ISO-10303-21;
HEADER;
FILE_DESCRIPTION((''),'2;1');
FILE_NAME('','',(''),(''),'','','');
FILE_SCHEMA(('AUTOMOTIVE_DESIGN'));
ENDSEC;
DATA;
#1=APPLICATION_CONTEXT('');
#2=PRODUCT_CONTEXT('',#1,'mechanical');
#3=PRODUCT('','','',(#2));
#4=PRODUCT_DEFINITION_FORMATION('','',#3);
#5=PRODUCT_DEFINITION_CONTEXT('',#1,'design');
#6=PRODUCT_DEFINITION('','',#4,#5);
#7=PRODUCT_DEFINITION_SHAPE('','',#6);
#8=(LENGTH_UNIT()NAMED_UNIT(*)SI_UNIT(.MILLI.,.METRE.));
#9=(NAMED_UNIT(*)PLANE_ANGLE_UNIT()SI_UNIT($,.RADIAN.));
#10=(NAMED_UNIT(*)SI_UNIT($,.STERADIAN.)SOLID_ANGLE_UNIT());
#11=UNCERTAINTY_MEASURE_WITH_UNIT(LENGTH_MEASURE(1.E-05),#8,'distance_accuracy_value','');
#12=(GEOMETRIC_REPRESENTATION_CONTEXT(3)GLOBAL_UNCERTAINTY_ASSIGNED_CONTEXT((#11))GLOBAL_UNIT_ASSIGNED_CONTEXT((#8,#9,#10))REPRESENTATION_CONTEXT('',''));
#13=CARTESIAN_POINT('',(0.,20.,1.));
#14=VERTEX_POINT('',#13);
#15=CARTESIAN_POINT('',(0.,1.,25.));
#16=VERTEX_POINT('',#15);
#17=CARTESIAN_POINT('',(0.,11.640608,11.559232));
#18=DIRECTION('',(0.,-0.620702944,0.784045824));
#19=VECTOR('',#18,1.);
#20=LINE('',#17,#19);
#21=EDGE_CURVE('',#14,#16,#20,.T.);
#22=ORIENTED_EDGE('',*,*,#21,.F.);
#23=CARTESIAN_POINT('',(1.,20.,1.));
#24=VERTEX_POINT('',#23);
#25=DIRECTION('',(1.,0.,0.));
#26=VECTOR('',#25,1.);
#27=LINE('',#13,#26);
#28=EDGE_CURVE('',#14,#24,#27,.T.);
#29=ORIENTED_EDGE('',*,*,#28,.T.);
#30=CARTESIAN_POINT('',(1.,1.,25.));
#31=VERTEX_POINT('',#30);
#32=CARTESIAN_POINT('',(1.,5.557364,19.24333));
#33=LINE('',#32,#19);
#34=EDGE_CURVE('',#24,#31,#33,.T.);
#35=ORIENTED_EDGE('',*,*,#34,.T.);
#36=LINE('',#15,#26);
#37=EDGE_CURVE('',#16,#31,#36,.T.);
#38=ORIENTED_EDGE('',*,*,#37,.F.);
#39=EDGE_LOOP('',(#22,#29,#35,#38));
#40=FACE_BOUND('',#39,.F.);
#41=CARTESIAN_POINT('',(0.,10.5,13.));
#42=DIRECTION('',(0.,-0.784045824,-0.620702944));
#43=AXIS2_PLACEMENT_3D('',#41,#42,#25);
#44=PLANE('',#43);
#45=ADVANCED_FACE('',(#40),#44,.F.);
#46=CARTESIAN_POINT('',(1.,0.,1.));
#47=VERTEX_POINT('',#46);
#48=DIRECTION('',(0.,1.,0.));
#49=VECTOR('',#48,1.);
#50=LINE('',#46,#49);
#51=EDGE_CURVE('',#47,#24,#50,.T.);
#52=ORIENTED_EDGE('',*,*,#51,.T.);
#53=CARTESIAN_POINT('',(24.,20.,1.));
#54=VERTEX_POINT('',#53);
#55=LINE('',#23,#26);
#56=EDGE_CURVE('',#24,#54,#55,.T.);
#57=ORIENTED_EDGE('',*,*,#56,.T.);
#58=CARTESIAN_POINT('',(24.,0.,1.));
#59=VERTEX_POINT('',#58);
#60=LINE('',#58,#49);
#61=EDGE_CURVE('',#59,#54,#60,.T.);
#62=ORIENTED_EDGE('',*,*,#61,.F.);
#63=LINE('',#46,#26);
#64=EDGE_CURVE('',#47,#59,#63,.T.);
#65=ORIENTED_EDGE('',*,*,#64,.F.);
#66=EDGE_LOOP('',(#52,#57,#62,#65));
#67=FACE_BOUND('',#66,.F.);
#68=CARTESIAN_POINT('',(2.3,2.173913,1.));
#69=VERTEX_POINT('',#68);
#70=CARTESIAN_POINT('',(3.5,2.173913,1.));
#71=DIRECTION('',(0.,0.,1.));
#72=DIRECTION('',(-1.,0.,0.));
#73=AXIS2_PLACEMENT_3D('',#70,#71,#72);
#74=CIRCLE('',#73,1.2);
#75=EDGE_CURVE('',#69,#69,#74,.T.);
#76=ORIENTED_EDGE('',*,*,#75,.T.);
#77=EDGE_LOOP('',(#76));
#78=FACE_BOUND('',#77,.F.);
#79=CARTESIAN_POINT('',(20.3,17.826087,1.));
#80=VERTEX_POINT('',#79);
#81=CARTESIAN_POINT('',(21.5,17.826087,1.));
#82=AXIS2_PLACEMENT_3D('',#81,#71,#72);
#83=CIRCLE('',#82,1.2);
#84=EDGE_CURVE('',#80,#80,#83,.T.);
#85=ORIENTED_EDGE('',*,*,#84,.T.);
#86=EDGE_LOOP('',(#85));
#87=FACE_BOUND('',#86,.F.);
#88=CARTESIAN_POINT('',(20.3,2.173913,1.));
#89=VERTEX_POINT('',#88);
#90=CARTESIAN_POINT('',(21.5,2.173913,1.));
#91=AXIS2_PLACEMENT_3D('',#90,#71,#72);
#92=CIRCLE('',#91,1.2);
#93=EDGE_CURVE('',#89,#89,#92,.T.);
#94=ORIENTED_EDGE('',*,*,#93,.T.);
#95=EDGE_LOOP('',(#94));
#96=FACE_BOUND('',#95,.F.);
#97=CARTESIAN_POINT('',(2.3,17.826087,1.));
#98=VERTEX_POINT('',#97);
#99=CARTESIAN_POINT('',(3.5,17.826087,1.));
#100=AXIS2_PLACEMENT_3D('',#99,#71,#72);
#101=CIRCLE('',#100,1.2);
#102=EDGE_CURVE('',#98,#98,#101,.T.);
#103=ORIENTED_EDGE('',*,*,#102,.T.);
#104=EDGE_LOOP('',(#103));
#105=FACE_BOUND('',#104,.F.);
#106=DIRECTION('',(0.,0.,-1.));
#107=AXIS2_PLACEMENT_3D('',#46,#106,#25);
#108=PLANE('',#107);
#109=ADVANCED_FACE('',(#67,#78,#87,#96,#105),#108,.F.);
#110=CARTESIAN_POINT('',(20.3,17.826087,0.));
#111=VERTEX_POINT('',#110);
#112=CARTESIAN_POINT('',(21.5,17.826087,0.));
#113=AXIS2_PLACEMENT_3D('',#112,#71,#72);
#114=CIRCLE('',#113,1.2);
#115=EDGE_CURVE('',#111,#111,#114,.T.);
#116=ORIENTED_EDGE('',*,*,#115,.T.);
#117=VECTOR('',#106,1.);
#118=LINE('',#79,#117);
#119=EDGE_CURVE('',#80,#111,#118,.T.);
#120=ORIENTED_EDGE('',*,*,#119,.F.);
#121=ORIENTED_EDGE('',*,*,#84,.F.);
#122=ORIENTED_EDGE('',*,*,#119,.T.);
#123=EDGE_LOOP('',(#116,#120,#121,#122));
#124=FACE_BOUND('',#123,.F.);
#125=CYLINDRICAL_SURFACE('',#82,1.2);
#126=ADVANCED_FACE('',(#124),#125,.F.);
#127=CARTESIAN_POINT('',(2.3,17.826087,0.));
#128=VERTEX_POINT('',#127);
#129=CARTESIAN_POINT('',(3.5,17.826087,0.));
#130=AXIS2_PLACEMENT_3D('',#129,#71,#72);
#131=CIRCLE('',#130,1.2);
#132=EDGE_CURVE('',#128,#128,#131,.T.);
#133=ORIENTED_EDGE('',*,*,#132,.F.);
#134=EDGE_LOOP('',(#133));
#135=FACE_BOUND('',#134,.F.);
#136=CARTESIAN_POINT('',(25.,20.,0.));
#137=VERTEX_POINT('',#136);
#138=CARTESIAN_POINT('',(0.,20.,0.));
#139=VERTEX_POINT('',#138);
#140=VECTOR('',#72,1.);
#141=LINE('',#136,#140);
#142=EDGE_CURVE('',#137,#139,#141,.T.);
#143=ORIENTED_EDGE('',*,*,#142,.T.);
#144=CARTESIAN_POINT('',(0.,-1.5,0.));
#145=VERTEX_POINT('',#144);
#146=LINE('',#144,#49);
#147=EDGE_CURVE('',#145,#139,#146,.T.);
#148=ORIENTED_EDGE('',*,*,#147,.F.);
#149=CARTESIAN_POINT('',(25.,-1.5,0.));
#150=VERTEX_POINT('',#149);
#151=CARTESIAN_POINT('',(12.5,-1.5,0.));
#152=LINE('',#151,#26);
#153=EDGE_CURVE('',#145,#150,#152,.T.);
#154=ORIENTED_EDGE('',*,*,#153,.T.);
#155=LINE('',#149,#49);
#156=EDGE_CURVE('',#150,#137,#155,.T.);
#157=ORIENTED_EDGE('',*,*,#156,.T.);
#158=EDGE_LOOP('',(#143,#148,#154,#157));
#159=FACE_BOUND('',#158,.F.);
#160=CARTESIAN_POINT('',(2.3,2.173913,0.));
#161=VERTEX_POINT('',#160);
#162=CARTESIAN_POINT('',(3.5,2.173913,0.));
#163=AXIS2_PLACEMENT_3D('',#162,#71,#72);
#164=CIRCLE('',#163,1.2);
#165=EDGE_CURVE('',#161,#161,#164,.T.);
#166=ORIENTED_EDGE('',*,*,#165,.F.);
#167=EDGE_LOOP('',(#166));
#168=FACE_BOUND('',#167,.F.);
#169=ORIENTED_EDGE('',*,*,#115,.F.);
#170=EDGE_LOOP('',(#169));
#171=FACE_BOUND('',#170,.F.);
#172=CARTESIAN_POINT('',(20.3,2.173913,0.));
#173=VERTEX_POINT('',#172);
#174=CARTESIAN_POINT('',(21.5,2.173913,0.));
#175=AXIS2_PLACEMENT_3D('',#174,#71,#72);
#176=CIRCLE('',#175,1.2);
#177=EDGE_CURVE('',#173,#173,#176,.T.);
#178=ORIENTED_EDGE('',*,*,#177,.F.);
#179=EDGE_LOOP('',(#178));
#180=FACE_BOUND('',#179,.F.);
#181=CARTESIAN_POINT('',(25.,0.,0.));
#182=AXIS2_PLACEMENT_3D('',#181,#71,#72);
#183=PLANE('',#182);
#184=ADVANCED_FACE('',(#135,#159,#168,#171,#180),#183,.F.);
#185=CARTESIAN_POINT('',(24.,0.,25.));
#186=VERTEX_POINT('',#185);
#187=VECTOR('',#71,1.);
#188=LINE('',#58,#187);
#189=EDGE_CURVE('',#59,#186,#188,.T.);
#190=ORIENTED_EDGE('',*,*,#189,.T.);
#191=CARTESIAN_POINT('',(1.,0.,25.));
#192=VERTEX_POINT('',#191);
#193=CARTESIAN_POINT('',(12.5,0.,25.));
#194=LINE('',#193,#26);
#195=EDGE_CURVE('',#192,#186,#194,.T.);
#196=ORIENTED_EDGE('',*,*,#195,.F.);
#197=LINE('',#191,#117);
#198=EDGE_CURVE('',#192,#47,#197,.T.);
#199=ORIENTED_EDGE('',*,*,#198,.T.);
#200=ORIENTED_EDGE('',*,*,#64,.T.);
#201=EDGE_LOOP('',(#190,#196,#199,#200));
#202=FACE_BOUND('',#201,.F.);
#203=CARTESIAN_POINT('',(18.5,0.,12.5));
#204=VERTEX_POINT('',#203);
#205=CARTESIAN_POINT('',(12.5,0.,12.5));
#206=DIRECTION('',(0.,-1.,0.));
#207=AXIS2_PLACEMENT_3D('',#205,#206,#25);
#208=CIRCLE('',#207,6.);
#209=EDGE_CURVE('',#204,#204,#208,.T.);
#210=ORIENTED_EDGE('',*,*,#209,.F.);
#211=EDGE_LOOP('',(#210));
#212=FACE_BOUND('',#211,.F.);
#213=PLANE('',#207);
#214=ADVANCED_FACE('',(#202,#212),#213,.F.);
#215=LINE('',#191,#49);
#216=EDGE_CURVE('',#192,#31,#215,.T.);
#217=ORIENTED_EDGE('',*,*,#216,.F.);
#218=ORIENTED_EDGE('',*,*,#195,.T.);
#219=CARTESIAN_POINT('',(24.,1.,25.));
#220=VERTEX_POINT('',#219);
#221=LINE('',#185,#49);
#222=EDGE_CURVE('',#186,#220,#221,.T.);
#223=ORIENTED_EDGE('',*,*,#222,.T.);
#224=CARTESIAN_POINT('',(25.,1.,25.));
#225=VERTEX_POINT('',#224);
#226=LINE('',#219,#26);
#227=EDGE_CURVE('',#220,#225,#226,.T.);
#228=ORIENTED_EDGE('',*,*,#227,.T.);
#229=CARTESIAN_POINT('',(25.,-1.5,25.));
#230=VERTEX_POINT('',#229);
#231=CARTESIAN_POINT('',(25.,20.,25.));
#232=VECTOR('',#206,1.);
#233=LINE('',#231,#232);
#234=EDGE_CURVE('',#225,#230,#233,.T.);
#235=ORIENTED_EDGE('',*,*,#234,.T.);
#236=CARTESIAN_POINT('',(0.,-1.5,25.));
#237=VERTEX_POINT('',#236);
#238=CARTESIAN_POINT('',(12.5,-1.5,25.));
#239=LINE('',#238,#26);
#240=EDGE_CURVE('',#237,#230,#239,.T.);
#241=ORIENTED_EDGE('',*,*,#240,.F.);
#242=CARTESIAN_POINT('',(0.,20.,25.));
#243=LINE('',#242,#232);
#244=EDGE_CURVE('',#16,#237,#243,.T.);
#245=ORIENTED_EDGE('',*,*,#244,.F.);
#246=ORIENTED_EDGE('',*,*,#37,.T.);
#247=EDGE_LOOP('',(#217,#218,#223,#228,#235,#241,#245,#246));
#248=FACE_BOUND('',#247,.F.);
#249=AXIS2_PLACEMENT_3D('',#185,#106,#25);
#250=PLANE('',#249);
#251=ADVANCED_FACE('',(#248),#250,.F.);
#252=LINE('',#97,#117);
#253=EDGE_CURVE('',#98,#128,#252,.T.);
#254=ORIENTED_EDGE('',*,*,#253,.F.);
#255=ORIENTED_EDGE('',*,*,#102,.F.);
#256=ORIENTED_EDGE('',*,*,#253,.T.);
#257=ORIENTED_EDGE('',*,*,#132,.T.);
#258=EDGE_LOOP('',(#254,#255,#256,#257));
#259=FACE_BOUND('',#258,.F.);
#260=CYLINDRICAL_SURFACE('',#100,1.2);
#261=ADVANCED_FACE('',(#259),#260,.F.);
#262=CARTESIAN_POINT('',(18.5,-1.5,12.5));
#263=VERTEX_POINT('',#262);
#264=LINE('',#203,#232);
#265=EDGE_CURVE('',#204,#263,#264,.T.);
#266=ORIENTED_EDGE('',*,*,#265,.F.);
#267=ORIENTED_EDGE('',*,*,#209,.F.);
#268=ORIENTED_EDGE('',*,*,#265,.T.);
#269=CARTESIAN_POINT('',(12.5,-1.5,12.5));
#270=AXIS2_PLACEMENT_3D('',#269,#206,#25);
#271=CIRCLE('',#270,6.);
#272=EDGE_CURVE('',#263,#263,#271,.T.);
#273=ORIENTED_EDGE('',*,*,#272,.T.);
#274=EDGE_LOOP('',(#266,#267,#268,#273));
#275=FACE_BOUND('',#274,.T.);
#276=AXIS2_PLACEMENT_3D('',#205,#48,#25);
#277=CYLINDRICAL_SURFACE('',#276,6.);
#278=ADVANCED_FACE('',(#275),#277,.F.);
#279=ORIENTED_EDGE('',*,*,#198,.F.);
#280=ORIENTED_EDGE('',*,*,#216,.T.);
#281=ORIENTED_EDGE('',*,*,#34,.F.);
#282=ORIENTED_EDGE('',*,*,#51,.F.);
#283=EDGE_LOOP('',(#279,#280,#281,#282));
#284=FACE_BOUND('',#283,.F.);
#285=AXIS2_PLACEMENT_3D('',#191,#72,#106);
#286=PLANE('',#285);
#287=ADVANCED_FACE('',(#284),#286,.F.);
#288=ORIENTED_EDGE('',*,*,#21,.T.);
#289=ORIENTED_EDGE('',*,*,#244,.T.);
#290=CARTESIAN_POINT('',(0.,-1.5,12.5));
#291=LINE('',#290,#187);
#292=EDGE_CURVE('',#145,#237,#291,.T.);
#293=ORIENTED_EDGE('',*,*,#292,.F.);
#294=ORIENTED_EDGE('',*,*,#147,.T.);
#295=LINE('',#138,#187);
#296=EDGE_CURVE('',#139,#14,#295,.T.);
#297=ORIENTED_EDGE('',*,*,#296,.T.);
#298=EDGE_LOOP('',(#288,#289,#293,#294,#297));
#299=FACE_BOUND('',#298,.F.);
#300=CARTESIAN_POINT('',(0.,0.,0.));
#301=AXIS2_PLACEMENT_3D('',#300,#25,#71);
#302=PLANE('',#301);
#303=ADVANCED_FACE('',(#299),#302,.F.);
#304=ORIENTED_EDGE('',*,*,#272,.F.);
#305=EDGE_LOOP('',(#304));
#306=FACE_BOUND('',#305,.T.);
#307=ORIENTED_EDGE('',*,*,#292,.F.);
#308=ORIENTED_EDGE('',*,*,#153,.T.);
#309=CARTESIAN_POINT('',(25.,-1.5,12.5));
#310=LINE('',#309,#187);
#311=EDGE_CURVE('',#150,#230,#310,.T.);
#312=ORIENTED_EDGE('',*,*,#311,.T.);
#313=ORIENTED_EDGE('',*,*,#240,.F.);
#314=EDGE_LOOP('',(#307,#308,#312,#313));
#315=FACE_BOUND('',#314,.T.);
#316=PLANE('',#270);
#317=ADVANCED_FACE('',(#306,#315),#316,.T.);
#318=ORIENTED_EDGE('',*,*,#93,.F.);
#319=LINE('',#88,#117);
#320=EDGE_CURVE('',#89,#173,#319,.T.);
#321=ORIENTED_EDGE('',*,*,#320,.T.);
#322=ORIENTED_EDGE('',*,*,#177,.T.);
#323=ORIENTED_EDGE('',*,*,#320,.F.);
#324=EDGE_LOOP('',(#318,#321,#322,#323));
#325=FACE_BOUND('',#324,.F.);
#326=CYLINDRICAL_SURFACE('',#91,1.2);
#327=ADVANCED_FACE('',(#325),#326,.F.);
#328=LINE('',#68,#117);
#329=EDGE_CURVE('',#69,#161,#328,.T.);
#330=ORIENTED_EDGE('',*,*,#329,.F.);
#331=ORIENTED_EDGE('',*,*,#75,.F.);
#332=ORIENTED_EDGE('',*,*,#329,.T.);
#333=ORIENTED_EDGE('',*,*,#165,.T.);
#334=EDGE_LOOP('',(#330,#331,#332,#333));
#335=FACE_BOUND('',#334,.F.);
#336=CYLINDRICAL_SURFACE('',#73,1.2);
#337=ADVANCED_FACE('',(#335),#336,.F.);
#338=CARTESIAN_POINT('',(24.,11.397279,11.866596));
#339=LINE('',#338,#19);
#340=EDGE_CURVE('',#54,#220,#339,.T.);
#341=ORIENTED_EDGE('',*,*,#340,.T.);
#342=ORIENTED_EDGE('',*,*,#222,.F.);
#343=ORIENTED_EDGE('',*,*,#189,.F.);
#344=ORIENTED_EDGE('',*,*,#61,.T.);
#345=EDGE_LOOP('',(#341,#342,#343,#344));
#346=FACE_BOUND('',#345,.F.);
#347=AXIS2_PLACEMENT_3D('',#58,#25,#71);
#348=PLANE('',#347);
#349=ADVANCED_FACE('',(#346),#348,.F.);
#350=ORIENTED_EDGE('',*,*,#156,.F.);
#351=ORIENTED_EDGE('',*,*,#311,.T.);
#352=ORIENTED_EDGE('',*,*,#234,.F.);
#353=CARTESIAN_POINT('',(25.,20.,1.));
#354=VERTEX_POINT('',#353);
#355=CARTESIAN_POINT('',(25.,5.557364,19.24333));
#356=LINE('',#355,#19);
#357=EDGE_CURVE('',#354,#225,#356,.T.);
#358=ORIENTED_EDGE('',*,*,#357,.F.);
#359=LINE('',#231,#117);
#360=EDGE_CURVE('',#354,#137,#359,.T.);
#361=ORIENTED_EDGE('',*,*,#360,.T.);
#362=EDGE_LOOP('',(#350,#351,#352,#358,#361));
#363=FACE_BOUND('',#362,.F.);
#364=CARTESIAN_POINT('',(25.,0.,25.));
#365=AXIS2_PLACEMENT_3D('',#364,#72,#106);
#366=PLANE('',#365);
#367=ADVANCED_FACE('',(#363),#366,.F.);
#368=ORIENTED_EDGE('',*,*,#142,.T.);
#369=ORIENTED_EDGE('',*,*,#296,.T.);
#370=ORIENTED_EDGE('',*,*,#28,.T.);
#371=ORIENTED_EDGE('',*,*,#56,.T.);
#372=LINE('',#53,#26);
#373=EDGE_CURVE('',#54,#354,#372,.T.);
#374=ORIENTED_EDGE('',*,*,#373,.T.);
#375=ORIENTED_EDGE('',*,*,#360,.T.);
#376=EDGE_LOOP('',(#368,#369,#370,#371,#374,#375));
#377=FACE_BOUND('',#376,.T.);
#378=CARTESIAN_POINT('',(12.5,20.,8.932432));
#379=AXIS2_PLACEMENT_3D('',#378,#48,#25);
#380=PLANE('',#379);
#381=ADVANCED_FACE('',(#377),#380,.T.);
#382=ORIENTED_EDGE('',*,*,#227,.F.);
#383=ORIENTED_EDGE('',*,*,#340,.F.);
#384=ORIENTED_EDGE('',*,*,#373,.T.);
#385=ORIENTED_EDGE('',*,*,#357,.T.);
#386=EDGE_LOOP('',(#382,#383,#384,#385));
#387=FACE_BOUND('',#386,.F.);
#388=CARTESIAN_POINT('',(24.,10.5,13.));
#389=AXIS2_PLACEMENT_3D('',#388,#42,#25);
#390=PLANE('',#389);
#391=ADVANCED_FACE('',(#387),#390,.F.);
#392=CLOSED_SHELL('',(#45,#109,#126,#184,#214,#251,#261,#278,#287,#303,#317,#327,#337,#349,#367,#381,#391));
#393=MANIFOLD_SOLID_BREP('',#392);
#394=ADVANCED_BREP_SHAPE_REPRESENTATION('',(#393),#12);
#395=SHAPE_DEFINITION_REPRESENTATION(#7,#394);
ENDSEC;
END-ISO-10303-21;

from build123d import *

# Parameters (mm, degrees)
SKETCH_W      = 25
SKETCH_H      = 25
SKETCH_R      = 6
PAD_DEPTH     = 1.5
PAD001_DEPTH  = 20
SKETCH002_R   = 1.2
HOLE_DEPTH    = 25
CHAMFER_SIZE2 = 19
CHAMFER_SIZE  = 24


with BuildPart() as part:
    # Sketch → Pad (new body)
    with BuildSketch(Plane.XZ):
        with Locations((12.5, 12.5)):
            Rectangle(SKETCH_W, SKETCH_H)
        with Locations((12.5, 12.5)):
            Circle(SKETCH_R, mode=Mode.SUBTRACT)
    extrude(amount=PAD_DEPTH)

    # Sketch001 (on Face6 of Pad) → Pad001 (join)
    with BuildSketch(Plane(origin=(0, 0, 0), x_dir=(1, 0, 0), z_dir=(0, 1, 0))):
        Polygon((25, -25), (25, 0), (0, 0), (0, -25), (1, -25), (1, -1), (24, -1), (24, -25), align=None)
    extrude(amount=PAD001_DEPTH)

    # Sketch002 (on Face15 of Pad001) → Hole (cut)
    with BuildSketch(Plane(origin=(0, 0, 1), x_dir=(-1, 0, 0), z_dir=(0, 0, 1))):
        with Locations((-3.5, -17.826087)):
            Circle(SKETCH002_R)
        with Locations((-21.5, -17.826087)):
            Circle(SKETCH002_R)
        with Locations((-21.5, -2.173913)):
            Circle(SKETCH002_R)
        with Locations((-3.5, -2.173913)):
            Circle(SKETCH002_R)
    extrude(amount=-HOLE_DEPTH, mode=Mode.SUBTRACT)

    # Chamfer
    chamfer_edges = [part.edges().sort_by_distance(p)[0] for p in [
        (0.5, 20, 25),
        (24.5, 20, 25),
    ]]
    chamfer_side = part.faces().sort_by_distance((24.646447, 20, 12.5))[0]
    chamfer(chamfer_edges, length=CHAMFER_SIZE, length2=CHAMFER_SIZE2, reference=chamfer_side)


solid = part.part
